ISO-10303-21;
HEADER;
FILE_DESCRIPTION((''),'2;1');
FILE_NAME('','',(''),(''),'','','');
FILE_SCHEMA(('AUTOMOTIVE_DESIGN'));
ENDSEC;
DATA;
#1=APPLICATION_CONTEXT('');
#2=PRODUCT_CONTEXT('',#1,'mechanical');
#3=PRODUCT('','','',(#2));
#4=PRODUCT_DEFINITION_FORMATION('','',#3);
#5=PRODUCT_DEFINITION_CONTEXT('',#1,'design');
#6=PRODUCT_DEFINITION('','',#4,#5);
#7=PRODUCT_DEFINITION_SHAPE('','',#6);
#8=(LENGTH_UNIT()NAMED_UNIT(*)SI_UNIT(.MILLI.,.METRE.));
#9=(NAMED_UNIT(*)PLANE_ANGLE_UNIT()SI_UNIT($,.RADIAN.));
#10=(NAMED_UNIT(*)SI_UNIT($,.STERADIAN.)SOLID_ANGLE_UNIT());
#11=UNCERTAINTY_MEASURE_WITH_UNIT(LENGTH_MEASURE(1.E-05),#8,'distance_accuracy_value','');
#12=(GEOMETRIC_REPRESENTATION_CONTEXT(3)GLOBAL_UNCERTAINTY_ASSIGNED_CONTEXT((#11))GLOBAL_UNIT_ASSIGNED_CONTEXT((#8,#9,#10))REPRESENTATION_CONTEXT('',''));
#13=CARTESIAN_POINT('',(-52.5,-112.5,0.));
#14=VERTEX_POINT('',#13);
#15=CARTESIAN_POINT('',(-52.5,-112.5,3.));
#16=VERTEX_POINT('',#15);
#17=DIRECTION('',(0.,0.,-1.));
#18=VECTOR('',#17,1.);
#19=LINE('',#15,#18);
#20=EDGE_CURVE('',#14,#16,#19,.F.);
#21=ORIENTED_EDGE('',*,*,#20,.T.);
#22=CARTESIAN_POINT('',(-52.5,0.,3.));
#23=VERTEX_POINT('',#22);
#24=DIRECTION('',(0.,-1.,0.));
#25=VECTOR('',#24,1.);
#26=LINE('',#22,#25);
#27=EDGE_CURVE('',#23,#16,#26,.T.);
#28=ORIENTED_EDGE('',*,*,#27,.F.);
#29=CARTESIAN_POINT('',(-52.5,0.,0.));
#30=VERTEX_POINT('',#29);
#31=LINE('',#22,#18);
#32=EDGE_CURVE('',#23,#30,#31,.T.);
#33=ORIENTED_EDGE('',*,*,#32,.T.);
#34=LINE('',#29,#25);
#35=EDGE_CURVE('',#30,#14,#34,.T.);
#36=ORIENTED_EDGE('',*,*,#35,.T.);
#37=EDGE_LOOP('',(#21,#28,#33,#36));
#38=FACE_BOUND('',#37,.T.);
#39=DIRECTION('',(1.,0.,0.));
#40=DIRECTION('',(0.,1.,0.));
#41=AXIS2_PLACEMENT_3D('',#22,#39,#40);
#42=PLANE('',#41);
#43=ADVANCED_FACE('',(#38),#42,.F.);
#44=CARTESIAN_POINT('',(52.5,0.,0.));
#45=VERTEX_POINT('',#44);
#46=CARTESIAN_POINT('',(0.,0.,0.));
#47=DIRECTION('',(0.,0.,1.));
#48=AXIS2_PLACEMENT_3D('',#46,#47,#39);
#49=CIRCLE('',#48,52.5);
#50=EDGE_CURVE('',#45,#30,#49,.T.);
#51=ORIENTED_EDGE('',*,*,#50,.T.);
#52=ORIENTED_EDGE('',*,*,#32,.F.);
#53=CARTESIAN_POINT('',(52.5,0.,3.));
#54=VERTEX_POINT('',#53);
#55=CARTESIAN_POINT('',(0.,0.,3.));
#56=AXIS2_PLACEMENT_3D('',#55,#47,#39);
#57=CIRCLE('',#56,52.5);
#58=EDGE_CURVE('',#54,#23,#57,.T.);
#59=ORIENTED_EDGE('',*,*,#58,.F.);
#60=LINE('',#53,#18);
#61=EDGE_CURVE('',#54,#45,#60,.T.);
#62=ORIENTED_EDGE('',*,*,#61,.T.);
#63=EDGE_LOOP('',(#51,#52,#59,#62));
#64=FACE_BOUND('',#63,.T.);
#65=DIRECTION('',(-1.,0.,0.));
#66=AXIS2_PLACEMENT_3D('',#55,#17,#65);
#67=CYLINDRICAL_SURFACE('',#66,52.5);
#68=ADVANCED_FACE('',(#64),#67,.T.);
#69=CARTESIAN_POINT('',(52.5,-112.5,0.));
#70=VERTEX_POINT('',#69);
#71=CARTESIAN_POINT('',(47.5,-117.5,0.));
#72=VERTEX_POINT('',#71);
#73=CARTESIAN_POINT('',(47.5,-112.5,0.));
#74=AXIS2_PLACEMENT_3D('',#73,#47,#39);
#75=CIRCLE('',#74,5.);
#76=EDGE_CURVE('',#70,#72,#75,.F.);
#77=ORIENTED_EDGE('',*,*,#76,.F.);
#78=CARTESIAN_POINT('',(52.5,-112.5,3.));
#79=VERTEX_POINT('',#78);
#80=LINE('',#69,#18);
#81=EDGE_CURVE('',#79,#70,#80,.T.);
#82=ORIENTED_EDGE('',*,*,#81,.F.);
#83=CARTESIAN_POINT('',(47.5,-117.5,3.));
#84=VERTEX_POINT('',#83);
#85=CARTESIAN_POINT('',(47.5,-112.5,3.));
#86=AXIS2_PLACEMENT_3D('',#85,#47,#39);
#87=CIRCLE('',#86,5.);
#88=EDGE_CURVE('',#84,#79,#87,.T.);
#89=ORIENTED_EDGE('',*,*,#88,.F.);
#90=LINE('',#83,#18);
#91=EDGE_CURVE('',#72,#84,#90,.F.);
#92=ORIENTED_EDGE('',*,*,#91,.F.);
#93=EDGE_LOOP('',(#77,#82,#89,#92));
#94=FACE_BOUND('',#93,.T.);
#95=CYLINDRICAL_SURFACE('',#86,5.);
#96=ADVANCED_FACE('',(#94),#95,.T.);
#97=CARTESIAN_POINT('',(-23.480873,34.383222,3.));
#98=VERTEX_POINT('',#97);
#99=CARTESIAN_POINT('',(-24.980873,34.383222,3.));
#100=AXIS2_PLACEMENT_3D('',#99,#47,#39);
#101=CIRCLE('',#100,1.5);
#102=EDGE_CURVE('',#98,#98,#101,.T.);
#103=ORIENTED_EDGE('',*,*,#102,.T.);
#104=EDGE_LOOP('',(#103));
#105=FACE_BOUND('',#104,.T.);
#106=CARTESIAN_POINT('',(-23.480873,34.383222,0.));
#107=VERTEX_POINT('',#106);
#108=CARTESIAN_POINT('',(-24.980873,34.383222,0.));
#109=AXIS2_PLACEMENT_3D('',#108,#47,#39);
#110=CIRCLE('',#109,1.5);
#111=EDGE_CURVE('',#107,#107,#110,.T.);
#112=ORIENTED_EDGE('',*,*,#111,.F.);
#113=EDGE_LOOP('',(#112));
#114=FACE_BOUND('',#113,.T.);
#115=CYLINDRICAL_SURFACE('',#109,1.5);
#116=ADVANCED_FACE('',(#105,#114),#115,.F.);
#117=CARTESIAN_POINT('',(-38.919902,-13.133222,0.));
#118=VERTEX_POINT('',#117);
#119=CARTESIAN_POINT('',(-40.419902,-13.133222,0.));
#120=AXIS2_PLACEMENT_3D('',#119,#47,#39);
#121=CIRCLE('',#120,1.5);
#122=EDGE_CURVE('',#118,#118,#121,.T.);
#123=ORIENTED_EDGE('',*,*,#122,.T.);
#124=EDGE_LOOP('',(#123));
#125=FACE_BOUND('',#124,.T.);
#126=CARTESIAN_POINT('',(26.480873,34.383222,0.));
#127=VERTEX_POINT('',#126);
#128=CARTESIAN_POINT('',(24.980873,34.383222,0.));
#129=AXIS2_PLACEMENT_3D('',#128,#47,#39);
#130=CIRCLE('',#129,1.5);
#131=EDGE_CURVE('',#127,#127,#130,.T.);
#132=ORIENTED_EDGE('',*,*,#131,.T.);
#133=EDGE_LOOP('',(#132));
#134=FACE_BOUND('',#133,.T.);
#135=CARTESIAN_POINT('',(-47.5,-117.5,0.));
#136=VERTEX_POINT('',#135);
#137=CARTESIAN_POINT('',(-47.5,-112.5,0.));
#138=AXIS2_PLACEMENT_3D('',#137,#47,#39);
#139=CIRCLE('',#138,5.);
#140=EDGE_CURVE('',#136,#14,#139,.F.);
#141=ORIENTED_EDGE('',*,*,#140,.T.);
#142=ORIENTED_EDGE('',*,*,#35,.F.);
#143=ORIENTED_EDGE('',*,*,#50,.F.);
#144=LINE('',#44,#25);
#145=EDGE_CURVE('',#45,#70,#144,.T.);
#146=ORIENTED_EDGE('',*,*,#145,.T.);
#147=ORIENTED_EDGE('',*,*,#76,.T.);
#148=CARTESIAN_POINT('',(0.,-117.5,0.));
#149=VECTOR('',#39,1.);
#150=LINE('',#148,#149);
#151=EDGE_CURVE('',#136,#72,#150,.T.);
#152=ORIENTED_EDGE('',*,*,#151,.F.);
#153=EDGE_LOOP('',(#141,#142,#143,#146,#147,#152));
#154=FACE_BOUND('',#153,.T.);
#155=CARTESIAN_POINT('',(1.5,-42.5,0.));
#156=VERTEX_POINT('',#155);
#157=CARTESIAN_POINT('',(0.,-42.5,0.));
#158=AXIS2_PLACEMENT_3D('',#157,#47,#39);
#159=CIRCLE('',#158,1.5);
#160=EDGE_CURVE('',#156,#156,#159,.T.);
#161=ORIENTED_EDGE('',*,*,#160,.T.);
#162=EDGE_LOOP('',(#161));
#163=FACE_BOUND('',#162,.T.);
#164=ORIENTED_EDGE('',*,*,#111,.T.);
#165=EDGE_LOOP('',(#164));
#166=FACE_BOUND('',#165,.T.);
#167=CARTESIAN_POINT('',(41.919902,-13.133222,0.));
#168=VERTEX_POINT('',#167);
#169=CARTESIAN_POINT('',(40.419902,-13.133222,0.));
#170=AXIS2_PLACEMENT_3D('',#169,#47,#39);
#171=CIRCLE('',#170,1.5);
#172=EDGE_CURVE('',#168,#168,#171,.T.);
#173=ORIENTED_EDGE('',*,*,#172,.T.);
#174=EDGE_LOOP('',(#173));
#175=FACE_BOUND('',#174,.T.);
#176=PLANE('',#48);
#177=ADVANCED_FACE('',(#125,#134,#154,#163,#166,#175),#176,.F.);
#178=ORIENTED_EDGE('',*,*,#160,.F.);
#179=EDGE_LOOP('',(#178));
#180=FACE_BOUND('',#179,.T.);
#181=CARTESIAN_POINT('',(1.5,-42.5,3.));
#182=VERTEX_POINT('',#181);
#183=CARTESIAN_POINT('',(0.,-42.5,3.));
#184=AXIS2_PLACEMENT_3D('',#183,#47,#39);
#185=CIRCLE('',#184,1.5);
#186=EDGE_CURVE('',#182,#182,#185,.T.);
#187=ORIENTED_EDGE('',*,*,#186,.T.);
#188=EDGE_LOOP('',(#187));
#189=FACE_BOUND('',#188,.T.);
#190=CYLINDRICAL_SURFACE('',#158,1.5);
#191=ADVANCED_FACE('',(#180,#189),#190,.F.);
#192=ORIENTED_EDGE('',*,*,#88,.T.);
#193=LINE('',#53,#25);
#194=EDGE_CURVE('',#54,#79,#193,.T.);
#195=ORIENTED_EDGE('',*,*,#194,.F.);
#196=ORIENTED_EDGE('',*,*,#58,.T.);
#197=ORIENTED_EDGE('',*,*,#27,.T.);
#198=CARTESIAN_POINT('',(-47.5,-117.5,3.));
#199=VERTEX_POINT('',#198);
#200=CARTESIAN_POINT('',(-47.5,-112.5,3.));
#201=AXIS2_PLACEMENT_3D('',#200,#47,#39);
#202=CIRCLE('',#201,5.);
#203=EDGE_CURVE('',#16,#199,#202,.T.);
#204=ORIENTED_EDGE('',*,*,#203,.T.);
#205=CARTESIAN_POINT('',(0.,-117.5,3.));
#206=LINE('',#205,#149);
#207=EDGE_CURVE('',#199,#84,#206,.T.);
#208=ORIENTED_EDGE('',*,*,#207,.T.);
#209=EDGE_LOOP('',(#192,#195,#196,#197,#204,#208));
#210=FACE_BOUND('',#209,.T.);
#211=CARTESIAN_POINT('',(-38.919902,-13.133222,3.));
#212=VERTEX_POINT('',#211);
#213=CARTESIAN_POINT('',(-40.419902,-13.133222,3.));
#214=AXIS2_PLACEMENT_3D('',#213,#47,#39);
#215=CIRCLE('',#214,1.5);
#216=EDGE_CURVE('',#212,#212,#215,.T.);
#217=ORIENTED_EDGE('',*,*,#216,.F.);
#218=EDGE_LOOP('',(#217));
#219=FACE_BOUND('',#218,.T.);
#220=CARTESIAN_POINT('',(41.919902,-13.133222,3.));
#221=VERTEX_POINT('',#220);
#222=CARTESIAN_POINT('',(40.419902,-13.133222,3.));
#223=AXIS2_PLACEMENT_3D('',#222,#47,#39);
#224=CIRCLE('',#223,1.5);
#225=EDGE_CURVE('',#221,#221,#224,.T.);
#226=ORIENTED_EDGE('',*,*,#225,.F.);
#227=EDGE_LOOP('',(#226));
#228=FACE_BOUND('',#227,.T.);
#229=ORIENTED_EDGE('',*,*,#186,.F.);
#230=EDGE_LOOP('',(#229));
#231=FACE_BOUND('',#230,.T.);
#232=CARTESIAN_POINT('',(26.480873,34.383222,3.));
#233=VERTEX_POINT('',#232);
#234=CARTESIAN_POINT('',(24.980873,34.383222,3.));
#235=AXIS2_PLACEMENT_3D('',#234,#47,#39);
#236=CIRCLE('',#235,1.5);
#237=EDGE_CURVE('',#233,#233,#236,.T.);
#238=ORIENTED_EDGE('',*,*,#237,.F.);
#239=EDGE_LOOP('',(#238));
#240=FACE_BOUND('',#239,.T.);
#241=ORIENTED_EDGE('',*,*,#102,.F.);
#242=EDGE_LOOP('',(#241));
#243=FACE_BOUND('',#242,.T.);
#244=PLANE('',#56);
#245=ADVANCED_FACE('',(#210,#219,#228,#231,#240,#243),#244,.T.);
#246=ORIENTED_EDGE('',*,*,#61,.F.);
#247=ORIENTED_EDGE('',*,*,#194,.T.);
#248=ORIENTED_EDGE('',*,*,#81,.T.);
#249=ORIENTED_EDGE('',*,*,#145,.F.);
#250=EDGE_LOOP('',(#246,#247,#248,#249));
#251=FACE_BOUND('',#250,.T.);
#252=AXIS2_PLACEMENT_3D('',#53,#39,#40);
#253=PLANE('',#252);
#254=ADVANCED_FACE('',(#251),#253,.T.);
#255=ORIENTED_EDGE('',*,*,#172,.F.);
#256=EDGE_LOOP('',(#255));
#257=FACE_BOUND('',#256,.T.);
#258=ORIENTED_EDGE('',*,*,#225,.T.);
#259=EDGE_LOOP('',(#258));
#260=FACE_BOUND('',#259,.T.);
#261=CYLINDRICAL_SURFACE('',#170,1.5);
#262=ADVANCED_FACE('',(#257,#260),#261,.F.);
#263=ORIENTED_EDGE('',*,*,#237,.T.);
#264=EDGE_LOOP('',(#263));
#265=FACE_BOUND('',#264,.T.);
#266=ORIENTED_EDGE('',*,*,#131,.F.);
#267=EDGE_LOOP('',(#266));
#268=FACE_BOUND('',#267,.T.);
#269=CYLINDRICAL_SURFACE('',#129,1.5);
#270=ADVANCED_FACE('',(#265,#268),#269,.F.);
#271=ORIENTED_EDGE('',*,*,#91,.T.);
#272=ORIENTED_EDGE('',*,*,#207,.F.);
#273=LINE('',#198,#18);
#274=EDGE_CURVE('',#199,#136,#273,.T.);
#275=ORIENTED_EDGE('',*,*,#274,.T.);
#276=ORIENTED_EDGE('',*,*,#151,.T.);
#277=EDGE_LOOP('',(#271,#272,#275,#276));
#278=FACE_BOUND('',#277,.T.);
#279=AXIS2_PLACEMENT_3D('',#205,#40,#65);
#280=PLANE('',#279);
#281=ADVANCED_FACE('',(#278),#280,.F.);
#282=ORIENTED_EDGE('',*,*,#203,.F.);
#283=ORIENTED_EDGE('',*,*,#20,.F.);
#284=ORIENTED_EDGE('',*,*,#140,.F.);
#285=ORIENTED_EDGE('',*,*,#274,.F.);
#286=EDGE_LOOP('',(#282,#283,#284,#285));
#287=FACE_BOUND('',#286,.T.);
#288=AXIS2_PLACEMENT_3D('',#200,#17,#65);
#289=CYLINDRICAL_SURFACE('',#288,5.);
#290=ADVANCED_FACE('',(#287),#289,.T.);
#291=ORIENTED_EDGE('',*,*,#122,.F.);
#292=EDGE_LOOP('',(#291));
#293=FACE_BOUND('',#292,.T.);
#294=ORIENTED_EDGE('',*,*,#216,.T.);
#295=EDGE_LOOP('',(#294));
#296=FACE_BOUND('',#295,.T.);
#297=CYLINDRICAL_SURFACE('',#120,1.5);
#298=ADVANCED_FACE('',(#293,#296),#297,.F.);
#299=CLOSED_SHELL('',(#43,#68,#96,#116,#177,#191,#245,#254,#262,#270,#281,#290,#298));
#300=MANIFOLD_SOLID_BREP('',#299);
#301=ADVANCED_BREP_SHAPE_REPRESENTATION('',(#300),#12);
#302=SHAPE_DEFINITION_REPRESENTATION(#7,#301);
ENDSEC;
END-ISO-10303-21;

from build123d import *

# Parameters (mm, degrees)
SALIENTE_EXTRUIR1_DEPTH = 3
REDONDEO1_R             = 5
CROQUIS2_R              = 1.5
CORTAR_EXTRUIR1_DEPTH   = 3


with BuildPart() as part:
    # Croquis1 → Saliente-Extruir1 (new body)
    with BuildSketch(Plane.XY):
        with BuildLine():
            ThreePointArc((52.5, 0), (0, -52.5), (-52.5, 0))
            Line((-52.5, 0), (-52.5, -117.5))
            Line((-52.5, -117.5), (52.5, -117.5))
            Line((52.5, -117.5), (52.5, 0))
        make_face()
        with BuildLine():
            ThreePointArc((52.5, 0), (0, 52.5), (-52.5, 0))
            Line((-52.5, 0), (52.5, 0))
        make_face()
        with BuildLine():
            Line((52.5, 0), (-52.5, 0))
            ThreePointArc((-52.5, 0), (0, -52.5), (52.5, 0))
        make_face()
    extrude(amount=SALIENTE_EXTRUIR1_DEPTH)

    # Redondeo1
    redondeo1_edges = [part.edges().sort_by_distance(p)[0] for p in [
        (52.5, -117.5, 1.5),
        (-52.5, -117.5, 1.5),
    ]]
    fillet(redondeo1_edges, radius=REDONDEO1_R)

    # Croquis2 → Cortar-Extruir1 (cut)
    with BuildSketch(Plane.XY.offset(3)):
        with Locations((0, -42.5)):
            Circle(CROQUIS2_R)
        with Locations((-40.419901943, -13.133222261)):
            Circle(CROQUIS2_R)
        with Locations((-24.980873222, 34.383222261)):
            Circle(CROQUIS2_R)
        with Locations((24.980873222, 34.383222261)):
            Circle(CROQUIS2_R)
        with Locations((40.419901943, -13.133222261)):
            Circle(CROQUIS2_R)
    extrude(amount=-CORTAR_EXTRUIR1_DEPTH, mode=Mode.SUBTRACT)


solid = part.part
